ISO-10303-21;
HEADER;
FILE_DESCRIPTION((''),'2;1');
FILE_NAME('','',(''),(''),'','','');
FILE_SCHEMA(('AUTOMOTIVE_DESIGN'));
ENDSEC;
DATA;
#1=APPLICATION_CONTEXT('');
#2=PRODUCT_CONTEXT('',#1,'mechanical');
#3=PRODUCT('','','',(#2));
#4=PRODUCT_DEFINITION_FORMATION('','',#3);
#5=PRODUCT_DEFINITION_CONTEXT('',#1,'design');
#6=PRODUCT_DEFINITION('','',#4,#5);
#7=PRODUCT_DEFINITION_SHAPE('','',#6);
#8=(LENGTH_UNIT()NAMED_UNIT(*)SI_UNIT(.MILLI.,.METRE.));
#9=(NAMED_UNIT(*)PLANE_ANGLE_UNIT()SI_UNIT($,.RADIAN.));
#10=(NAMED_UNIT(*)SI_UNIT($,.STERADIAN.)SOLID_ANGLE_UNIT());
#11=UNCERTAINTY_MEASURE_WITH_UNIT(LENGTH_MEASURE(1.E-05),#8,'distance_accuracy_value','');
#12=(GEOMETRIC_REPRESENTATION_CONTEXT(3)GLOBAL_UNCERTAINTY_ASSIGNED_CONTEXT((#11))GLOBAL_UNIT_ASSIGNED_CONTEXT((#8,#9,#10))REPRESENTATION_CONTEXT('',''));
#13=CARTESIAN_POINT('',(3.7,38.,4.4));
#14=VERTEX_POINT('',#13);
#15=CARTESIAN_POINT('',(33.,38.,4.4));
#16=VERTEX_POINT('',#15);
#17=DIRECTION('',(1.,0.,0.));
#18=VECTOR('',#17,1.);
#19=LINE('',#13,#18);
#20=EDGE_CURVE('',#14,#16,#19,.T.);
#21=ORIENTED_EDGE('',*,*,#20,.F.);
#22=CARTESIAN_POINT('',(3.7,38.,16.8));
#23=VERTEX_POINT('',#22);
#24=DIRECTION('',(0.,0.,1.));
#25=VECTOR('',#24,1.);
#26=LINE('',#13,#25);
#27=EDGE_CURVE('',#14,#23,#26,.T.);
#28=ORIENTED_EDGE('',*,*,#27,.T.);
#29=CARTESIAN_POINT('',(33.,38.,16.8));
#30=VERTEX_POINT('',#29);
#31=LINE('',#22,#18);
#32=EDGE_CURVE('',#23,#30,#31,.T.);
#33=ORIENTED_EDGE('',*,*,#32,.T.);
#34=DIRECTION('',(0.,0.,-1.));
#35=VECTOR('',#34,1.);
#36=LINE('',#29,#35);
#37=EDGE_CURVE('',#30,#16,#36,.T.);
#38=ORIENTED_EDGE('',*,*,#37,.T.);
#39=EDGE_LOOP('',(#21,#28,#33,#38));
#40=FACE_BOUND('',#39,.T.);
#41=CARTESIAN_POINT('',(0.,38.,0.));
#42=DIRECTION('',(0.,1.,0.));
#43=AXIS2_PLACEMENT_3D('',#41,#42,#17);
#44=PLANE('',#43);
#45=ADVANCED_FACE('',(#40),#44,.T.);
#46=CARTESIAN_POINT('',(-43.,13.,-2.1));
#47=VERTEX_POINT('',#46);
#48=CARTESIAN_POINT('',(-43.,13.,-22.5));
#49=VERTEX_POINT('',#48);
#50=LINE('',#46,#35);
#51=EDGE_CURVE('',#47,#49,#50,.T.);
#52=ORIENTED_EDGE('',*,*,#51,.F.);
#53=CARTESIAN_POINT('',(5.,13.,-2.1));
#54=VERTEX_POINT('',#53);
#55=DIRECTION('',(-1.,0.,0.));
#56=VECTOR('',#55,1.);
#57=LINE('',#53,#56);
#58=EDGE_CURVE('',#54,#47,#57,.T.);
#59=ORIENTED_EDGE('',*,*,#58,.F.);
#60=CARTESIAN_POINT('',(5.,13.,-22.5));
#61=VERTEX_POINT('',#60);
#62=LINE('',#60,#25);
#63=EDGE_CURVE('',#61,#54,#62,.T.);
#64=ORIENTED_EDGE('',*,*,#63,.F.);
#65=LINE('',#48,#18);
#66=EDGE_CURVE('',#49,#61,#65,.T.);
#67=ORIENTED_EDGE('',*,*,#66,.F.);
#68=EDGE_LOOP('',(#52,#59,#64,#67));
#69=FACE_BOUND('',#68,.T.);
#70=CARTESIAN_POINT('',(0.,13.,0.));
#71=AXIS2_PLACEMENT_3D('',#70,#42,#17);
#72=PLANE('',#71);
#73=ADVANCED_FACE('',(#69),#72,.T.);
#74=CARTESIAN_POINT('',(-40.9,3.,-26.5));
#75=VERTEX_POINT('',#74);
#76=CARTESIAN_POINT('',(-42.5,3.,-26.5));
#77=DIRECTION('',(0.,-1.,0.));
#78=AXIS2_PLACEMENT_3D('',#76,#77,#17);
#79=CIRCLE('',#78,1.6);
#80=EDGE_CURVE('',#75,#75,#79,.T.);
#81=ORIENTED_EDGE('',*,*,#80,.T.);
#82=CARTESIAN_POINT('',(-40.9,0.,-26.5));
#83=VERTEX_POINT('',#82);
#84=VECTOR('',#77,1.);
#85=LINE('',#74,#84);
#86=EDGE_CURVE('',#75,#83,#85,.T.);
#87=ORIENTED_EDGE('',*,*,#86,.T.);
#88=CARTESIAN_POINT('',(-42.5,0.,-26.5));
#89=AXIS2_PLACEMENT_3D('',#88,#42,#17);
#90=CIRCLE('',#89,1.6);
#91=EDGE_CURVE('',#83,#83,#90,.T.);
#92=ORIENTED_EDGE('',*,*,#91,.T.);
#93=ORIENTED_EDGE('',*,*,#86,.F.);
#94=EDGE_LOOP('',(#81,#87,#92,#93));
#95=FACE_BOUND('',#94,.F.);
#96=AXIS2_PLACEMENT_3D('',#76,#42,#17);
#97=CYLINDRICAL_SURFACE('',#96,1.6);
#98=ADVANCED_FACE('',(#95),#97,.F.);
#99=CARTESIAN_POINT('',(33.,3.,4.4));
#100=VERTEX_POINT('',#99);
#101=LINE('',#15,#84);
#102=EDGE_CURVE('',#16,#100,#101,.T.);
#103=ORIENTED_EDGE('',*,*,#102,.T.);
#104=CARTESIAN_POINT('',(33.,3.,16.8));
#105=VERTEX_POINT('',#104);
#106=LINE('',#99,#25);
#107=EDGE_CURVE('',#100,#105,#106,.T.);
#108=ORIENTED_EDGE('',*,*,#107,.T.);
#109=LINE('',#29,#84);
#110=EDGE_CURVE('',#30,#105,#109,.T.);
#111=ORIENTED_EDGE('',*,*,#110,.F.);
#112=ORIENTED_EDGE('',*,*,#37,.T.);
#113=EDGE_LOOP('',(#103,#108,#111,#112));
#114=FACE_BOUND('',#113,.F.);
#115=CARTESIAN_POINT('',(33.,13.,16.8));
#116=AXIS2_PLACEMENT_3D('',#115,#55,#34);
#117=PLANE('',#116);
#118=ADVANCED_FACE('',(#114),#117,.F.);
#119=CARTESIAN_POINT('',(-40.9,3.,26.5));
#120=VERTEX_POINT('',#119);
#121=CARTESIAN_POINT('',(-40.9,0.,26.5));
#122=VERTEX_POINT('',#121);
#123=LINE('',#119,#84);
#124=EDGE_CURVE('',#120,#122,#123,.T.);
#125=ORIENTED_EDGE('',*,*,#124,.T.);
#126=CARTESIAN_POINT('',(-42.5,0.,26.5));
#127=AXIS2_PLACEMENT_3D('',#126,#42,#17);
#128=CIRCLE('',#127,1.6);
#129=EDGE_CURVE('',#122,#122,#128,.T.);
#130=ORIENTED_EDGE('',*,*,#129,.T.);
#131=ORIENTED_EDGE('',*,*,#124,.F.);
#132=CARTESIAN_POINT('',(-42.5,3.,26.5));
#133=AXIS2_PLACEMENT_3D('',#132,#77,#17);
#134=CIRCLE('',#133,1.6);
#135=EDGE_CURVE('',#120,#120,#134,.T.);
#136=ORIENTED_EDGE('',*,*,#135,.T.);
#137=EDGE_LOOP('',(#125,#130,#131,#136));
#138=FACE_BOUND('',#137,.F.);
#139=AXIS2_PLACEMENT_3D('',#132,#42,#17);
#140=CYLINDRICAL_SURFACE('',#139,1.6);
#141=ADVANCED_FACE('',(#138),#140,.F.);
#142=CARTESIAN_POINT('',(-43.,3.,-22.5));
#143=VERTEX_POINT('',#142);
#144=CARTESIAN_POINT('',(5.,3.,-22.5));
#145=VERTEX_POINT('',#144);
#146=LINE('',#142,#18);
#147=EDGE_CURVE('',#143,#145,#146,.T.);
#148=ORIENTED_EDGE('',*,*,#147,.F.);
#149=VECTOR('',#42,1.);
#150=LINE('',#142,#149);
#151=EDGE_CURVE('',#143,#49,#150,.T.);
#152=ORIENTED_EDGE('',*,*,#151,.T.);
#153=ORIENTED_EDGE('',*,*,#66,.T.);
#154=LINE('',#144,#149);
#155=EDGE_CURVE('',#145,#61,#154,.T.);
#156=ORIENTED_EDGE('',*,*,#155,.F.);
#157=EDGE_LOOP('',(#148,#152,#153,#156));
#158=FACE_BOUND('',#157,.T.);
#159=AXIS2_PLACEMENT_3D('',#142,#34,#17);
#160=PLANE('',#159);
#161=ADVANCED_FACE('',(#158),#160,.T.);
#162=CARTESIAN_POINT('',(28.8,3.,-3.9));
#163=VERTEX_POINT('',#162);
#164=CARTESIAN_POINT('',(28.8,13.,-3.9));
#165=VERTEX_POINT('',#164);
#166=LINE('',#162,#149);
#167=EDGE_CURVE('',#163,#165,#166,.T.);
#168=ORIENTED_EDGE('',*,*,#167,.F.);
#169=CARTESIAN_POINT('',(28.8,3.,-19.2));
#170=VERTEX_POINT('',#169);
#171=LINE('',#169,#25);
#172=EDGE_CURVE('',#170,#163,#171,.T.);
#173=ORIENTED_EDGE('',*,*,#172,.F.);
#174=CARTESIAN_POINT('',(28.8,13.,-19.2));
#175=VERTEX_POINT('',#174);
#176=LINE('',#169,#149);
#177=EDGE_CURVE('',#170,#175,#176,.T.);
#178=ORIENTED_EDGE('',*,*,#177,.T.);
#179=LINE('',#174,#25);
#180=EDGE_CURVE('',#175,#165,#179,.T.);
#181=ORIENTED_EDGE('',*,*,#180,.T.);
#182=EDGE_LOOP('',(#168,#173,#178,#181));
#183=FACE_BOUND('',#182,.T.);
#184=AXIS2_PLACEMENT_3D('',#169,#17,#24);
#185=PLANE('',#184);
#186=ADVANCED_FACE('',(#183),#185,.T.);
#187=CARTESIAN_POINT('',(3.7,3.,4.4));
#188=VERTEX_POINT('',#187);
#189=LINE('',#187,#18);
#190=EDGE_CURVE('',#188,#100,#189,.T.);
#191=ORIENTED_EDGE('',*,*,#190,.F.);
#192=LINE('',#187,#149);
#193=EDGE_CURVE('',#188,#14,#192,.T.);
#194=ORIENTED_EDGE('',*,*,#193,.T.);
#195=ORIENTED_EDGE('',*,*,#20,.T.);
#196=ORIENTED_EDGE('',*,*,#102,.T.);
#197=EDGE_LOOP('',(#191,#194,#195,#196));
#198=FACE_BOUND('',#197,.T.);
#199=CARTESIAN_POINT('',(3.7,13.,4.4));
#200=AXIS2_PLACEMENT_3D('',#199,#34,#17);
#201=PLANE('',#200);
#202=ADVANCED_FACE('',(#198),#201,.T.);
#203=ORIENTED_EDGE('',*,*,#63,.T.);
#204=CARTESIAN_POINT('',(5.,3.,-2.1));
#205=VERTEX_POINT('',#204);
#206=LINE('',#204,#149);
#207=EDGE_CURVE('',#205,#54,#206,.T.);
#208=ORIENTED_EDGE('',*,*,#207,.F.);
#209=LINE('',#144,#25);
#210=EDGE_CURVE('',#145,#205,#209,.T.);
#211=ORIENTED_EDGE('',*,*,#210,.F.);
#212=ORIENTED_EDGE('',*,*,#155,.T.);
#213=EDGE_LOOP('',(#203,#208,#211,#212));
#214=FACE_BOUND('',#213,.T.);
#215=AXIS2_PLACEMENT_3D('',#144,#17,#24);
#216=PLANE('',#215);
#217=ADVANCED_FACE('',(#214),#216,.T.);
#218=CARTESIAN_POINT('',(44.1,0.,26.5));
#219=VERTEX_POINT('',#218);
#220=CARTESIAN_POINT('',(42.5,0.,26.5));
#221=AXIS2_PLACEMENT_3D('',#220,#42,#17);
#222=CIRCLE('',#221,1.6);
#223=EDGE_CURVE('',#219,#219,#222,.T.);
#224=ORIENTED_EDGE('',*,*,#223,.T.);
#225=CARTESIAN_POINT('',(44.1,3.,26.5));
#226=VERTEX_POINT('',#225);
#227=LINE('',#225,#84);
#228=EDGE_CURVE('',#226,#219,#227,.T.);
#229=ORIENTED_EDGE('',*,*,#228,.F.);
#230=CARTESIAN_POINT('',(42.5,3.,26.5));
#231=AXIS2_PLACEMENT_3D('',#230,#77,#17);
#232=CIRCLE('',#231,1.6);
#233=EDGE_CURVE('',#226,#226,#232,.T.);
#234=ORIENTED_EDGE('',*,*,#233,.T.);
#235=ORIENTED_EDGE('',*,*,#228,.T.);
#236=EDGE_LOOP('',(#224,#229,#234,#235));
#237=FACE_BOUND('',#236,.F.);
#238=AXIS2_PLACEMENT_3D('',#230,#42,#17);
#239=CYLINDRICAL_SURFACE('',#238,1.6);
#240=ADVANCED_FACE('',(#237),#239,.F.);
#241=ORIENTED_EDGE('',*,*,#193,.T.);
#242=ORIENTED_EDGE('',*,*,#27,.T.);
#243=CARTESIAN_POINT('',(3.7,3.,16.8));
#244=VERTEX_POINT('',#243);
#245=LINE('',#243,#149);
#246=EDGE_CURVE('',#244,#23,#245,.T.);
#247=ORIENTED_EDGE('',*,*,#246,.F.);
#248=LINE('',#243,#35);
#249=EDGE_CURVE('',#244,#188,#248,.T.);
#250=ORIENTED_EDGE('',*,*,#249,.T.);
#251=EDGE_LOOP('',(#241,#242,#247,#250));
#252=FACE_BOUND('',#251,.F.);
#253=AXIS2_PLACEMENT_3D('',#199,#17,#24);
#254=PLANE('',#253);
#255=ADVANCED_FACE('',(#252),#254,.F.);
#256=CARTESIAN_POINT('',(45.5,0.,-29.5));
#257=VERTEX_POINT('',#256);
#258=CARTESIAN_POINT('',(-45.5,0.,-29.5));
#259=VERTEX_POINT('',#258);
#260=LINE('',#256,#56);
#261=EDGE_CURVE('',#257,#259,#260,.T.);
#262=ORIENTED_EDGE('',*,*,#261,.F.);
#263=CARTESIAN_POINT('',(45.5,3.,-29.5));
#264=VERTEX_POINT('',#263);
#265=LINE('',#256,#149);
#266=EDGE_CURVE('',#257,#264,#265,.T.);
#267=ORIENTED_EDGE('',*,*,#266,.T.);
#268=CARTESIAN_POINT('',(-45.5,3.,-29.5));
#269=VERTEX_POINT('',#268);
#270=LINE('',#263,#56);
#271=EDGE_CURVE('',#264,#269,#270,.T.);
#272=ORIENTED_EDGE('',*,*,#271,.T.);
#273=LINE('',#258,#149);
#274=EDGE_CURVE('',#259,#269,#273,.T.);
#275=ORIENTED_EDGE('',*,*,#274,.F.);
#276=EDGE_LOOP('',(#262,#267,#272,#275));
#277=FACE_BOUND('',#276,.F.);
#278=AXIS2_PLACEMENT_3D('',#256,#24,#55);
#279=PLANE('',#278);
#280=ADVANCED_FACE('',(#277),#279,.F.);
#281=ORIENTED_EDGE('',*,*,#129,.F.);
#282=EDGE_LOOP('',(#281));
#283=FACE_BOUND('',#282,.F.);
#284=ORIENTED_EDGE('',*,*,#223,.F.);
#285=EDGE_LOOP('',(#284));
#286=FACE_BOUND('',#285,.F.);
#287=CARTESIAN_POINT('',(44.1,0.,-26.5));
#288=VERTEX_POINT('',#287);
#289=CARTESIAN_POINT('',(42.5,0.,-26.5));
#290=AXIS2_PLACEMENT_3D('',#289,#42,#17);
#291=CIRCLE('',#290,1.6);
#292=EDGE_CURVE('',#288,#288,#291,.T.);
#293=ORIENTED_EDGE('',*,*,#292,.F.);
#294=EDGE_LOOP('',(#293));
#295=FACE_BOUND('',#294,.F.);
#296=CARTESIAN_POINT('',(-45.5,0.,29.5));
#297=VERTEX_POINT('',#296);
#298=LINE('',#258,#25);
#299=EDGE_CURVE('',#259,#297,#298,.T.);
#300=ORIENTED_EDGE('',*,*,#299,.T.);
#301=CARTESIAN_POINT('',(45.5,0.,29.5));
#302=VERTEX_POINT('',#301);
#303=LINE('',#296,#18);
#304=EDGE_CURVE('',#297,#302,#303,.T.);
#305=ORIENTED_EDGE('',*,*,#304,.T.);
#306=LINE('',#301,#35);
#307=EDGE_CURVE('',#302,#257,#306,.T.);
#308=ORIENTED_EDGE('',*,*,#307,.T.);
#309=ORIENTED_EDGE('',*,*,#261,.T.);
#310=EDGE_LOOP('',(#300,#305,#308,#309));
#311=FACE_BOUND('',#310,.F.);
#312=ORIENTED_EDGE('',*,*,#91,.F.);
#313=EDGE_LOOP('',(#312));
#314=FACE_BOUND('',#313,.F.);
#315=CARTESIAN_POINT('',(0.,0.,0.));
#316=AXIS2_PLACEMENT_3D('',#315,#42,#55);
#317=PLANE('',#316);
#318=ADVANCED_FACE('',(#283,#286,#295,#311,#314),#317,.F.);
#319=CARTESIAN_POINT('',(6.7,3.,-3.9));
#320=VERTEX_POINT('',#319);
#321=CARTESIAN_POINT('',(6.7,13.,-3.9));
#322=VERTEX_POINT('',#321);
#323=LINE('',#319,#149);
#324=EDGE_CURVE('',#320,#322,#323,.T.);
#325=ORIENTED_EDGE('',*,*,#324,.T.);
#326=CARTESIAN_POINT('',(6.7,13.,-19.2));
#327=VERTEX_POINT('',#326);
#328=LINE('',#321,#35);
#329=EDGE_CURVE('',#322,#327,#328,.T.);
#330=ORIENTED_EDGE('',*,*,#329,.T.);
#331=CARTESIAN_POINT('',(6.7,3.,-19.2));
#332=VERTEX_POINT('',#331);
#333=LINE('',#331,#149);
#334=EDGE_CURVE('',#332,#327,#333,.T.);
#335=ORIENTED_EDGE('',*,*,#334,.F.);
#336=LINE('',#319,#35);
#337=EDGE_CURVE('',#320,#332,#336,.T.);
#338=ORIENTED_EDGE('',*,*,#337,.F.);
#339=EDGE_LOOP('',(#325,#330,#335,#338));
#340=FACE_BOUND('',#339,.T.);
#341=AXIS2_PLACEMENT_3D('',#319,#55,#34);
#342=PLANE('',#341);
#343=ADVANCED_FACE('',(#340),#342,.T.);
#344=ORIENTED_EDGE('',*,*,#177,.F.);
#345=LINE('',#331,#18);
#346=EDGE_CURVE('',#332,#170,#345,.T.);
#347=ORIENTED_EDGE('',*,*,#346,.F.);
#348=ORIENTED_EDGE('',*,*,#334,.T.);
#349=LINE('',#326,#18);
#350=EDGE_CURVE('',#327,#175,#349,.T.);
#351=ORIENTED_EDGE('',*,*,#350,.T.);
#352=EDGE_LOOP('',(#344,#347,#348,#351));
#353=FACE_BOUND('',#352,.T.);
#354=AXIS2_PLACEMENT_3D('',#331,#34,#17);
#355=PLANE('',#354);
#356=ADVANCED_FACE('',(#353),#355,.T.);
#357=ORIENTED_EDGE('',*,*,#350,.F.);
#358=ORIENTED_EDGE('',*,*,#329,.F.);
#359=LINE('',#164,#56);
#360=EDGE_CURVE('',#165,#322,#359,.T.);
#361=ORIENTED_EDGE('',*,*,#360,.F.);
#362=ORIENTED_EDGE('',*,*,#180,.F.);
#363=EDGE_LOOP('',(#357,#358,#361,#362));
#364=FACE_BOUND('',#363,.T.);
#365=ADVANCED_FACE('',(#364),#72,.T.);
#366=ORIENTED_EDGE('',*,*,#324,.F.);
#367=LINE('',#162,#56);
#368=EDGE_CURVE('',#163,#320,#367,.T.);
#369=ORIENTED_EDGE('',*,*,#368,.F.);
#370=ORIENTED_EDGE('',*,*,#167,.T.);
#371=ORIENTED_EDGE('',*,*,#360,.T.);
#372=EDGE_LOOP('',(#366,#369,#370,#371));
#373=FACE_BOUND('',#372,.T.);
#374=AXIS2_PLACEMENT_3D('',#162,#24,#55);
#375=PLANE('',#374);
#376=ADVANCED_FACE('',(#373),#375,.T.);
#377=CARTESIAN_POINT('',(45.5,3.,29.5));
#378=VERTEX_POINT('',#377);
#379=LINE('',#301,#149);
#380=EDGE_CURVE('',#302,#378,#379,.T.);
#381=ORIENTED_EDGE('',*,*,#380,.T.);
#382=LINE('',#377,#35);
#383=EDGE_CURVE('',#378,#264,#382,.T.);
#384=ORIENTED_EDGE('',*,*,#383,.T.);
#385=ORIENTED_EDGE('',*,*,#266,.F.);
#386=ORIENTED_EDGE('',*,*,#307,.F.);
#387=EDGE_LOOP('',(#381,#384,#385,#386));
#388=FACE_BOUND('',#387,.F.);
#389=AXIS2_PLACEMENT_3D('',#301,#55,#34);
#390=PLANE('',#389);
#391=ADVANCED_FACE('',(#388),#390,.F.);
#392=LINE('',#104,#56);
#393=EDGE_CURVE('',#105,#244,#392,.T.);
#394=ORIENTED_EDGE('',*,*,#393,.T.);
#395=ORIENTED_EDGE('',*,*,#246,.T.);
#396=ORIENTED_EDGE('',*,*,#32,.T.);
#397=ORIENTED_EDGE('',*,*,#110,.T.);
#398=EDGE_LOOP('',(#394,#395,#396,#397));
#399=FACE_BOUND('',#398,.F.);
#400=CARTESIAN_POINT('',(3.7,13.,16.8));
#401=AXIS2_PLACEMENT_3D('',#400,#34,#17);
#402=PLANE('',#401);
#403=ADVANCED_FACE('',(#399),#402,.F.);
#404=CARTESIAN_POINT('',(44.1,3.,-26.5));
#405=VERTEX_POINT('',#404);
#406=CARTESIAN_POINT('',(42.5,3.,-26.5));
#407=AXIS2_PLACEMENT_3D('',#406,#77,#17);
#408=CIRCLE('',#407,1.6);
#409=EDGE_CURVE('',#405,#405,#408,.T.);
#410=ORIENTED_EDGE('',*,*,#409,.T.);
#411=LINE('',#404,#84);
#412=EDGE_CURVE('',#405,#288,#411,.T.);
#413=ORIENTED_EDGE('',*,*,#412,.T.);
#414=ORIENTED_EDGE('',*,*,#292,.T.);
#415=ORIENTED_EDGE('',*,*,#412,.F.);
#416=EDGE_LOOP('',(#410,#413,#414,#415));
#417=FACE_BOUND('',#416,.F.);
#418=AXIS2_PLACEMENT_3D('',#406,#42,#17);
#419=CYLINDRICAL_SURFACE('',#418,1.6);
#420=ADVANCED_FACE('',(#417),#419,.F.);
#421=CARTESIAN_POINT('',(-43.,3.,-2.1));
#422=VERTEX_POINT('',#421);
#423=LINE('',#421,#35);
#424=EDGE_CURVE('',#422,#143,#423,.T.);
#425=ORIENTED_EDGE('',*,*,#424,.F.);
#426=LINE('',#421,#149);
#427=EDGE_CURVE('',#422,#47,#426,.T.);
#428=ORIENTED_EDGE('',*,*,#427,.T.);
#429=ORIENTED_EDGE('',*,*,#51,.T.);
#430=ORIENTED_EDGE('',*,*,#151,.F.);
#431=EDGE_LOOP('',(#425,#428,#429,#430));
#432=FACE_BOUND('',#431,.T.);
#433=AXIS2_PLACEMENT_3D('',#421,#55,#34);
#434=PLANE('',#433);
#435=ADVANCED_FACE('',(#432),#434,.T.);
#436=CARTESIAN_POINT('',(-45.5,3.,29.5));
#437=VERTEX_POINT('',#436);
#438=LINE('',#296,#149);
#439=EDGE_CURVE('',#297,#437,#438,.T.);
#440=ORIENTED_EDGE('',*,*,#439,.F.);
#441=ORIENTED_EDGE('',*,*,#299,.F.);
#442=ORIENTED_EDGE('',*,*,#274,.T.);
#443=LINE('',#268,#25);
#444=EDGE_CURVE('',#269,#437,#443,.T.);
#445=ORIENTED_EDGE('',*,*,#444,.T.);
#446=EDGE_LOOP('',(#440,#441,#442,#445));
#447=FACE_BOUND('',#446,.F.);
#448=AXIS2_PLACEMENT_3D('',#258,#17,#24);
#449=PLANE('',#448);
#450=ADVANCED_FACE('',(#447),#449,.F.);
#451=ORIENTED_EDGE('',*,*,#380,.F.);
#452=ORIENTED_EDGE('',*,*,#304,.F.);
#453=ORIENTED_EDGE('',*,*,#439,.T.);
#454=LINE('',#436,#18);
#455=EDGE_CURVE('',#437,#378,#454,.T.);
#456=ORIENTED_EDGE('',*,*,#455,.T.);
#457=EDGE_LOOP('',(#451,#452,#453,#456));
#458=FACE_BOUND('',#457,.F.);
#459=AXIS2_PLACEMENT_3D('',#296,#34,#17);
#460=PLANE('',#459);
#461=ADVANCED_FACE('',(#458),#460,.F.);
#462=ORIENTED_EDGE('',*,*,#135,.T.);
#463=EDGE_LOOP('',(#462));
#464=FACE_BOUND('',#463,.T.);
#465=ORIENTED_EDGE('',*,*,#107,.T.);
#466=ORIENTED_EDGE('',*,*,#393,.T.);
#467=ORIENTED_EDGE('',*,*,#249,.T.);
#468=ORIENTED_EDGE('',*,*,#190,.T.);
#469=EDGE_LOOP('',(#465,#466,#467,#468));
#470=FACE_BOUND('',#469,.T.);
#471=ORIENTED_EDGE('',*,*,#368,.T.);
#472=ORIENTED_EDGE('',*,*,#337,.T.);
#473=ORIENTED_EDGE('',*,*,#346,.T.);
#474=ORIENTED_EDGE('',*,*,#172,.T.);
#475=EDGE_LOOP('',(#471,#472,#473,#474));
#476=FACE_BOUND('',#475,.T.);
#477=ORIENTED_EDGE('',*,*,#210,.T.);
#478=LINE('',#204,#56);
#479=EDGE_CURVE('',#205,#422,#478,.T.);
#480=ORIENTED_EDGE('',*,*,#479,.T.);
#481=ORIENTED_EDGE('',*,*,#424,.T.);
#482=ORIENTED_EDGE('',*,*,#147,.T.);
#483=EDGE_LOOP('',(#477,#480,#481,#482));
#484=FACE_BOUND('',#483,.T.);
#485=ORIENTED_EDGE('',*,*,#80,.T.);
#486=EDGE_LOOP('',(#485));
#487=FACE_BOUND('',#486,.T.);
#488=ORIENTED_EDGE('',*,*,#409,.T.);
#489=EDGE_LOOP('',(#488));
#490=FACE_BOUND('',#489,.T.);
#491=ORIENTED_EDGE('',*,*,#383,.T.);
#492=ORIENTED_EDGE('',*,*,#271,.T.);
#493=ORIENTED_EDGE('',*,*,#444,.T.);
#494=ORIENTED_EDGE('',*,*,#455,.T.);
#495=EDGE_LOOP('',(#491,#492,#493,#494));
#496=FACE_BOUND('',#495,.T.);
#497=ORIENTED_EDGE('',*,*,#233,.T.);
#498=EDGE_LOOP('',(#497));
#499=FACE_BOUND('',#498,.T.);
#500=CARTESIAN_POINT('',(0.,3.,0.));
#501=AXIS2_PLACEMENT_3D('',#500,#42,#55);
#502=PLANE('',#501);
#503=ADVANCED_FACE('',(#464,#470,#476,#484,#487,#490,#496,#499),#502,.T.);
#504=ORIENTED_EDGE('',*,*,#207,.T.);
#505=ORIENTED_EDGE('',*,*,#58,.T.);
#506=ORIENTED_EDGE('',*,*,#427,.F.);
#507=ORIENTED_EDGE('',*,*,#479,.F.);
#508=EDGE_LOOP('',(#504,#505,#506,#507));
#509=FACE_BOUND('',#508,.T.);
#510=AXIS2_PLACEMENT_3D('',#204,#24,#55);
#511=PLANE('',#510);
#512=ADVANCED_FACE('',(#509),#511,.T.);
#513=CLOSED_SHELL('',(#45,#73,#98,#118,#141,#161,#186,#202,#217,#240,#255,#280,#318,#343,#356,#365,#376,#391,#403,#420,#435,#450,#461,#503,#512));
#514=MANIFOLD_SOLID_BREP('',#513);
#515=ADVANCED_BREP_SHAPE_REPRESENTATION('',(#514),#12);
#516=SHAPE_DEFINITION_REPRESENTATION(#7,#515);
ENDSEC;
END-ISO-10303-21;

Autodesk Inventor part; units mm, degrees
ref_plane "YZ Plane" through (0, 0, 0) normal (1, 0, 0) x (0, 1, 0)
ref_plane "XZ Plane" through (0, 0, 0) normal (0, 1, 0) x (-1, 0, 0)
ref_plane "XY Plane" through (0, 0, 0) normal (0, 0, 1) x (1, 0, 0)
sketch "Sketch1" plane through (0, 0, 0) normal (0, 1, 0) x (-1, 0, 0)
  line L0 (-45.5, -29.5) -> (45.5, -29.5)
  line L1 (45.5, -29.5) -> (45.5, 29.5)
  line L2 (45.5, 29.5) -> (-45.5, 29.5)
  line L3 (-45.5, 29.5) -> (-45.5, -29.5)
  line L4 (-45.5, -29.5) -> (45.5, 29.5) construction
  line L5 (45.5, -29.5) -> (-45.5, 29.5) construction
  point P0 (0, 0)
  dimension "d0" = 91
  dimension "d1" = 59
extrude "Extrusion1" add sketch "Sketch1" along normal blind 3
sketch "Sketch2" plane through (0, 3, 0) normal (0, 1, 0) x (1, 0, 0)
  line L0 (45.5, 29.5) -> (-45.5, 29.5) projected
  line L1 (-45.5, 29.5) -> (-43, 29.5)
  line L2 (-43, 29.5) -> (-43, 22.5)
  line L3 (-43, 22.5) -> (-45.5, 22.5)
  line L4 (-45.5, 22.5) -> (-45.5, 29.5)
  line L5 (-43, 22.5) -> (5, 22.5)
  line L6 (5, 22.5) -> (5, 2.1)
  line L7 (5, 2.1) -> (-43, 2.1)
  line L8 (-43, 2.1) -> (-43, 22.5)
  line L9 (6.7, 19.2) -> (28.8, 19.2)
  line L10 (28.8, 19.2) -> (28.8, 3.9)
  line L11 (28.8, 3.9) -> (6.7, 3.9)
  line L12 (6.7, 3.9) -> (6.7, 19.2)
  line L13 (6.7, 19.2) -> (28.8, 3.9) construction
  line L14 (28.8, 19.2) -> (6.7, 3.9) construction
  line L15 (3.7, -4.4) -> (33, -4.4)
  line L16 (33, -4.4) -> (33, -16.8)
  line L17 (33, -16.8) -> (3.7, -16.8)
  line L18 (3.7, -16.8) -> (3.7, -4.4)
  line L19 (3.7, -4.4) -> (33, -16.8) construction
  line L20 (33, -4.4) -> (3.7, -16.8) construction
  line L21 (45.5, -29.5) -> (45.5, 29.5) projected
  line L22 (-45.5, -29.5) -> (45.5, -29.5) projected
  point P0 (0, 0)
  point P1 (17.75, 11.55)
  point P2 (18.35, -10.6)
  dimension "d4" = 2.5
  dimension "d5" = 7
  dimension "d6" = 48
  dimension "d7" = 20.4
  dimension "d10" = 1.7
  dimension "d11" = 22.1
  dimension "d12" = 15.3
  dimension "d13" = 3.3
  dimension "d14" = 12.4
  dimension "d15" = 29.3
  dimension "d16" = 12.5
  dimension "d17" = 12.7
extrude "Extrusion2" add sketch "Sketch2" along normal blind 10 contours L5 L6 L7 L8 | L9 L10 L11 L12 | L15 L16 L17 L18
sketch "Sketch3" plane through (0, 3, 0) normal (0, 1, 0) x (1, 0, 0)
  line L0 (-42.5, 26.5) -> (42.5, 26.5)
  line L1 (42.5, 26.5) -> (42.5, -26.5)
  line L2 (42.5, -26.5) -> (-42.5, -26.5)
  line L3 (-42.5, -26.5) -> (-42.5, 26.5)
  line L4 (-42.5, 26.5) -> (42.5, -26.5) construction
  line L5 (42.5, 26.5) -> (-42.5, -26.5) construction
  circle A0 centre (42.5, -26.5) radius 1.6
  circle A1 centre (-42.5, -26.5) radius 1.6
  circle A2 centre (-42.5, 26.5) radius 1.6
  circle A3 centre (42.5, 26.5) radius 1.6
  point P0 (0, 0)
  dimension "d18" = 85
  dimension "d19" = 53
  dimension "d20" = 3.2
  dimension "d21" = 3.2
  dimension "d22" = 3.2
  dimension "d23" = 3.2
extrude "Extrusion3" cut sketch "Sketch3" against normal blind 3 contours L3 A2 L0 | L0 A2 L3 | A3 L1 L0 | L0 L1 A3 | A1 L2 L3 | L3 L2 A1 | A0 L2 L1 | L1 L2 A0
sketch "Sketch4" plane through (0, 13, 0) normal (0, 1, 0) x (1, 0, 0)
  line L0 (3.7, -4.4) -> (3.7, -16.8) projected
  line L1 (3.7, -4.4) -> (33, -4.4) projected
  line L2 (3.7, -16.8) -> (33, -16.8)
  line L3 (33, -16.8) -> (33, -4.4)
  line L4 (33, -4.4) -> (3.7, -4.4)
  line L5 (3.7, -4.4) -> (3.7, -16.8)
  point P0 (0, 0)
extrude "Extrusion4" add sketch "Sketch4" along normal blind 25
properties part number "PCB"
